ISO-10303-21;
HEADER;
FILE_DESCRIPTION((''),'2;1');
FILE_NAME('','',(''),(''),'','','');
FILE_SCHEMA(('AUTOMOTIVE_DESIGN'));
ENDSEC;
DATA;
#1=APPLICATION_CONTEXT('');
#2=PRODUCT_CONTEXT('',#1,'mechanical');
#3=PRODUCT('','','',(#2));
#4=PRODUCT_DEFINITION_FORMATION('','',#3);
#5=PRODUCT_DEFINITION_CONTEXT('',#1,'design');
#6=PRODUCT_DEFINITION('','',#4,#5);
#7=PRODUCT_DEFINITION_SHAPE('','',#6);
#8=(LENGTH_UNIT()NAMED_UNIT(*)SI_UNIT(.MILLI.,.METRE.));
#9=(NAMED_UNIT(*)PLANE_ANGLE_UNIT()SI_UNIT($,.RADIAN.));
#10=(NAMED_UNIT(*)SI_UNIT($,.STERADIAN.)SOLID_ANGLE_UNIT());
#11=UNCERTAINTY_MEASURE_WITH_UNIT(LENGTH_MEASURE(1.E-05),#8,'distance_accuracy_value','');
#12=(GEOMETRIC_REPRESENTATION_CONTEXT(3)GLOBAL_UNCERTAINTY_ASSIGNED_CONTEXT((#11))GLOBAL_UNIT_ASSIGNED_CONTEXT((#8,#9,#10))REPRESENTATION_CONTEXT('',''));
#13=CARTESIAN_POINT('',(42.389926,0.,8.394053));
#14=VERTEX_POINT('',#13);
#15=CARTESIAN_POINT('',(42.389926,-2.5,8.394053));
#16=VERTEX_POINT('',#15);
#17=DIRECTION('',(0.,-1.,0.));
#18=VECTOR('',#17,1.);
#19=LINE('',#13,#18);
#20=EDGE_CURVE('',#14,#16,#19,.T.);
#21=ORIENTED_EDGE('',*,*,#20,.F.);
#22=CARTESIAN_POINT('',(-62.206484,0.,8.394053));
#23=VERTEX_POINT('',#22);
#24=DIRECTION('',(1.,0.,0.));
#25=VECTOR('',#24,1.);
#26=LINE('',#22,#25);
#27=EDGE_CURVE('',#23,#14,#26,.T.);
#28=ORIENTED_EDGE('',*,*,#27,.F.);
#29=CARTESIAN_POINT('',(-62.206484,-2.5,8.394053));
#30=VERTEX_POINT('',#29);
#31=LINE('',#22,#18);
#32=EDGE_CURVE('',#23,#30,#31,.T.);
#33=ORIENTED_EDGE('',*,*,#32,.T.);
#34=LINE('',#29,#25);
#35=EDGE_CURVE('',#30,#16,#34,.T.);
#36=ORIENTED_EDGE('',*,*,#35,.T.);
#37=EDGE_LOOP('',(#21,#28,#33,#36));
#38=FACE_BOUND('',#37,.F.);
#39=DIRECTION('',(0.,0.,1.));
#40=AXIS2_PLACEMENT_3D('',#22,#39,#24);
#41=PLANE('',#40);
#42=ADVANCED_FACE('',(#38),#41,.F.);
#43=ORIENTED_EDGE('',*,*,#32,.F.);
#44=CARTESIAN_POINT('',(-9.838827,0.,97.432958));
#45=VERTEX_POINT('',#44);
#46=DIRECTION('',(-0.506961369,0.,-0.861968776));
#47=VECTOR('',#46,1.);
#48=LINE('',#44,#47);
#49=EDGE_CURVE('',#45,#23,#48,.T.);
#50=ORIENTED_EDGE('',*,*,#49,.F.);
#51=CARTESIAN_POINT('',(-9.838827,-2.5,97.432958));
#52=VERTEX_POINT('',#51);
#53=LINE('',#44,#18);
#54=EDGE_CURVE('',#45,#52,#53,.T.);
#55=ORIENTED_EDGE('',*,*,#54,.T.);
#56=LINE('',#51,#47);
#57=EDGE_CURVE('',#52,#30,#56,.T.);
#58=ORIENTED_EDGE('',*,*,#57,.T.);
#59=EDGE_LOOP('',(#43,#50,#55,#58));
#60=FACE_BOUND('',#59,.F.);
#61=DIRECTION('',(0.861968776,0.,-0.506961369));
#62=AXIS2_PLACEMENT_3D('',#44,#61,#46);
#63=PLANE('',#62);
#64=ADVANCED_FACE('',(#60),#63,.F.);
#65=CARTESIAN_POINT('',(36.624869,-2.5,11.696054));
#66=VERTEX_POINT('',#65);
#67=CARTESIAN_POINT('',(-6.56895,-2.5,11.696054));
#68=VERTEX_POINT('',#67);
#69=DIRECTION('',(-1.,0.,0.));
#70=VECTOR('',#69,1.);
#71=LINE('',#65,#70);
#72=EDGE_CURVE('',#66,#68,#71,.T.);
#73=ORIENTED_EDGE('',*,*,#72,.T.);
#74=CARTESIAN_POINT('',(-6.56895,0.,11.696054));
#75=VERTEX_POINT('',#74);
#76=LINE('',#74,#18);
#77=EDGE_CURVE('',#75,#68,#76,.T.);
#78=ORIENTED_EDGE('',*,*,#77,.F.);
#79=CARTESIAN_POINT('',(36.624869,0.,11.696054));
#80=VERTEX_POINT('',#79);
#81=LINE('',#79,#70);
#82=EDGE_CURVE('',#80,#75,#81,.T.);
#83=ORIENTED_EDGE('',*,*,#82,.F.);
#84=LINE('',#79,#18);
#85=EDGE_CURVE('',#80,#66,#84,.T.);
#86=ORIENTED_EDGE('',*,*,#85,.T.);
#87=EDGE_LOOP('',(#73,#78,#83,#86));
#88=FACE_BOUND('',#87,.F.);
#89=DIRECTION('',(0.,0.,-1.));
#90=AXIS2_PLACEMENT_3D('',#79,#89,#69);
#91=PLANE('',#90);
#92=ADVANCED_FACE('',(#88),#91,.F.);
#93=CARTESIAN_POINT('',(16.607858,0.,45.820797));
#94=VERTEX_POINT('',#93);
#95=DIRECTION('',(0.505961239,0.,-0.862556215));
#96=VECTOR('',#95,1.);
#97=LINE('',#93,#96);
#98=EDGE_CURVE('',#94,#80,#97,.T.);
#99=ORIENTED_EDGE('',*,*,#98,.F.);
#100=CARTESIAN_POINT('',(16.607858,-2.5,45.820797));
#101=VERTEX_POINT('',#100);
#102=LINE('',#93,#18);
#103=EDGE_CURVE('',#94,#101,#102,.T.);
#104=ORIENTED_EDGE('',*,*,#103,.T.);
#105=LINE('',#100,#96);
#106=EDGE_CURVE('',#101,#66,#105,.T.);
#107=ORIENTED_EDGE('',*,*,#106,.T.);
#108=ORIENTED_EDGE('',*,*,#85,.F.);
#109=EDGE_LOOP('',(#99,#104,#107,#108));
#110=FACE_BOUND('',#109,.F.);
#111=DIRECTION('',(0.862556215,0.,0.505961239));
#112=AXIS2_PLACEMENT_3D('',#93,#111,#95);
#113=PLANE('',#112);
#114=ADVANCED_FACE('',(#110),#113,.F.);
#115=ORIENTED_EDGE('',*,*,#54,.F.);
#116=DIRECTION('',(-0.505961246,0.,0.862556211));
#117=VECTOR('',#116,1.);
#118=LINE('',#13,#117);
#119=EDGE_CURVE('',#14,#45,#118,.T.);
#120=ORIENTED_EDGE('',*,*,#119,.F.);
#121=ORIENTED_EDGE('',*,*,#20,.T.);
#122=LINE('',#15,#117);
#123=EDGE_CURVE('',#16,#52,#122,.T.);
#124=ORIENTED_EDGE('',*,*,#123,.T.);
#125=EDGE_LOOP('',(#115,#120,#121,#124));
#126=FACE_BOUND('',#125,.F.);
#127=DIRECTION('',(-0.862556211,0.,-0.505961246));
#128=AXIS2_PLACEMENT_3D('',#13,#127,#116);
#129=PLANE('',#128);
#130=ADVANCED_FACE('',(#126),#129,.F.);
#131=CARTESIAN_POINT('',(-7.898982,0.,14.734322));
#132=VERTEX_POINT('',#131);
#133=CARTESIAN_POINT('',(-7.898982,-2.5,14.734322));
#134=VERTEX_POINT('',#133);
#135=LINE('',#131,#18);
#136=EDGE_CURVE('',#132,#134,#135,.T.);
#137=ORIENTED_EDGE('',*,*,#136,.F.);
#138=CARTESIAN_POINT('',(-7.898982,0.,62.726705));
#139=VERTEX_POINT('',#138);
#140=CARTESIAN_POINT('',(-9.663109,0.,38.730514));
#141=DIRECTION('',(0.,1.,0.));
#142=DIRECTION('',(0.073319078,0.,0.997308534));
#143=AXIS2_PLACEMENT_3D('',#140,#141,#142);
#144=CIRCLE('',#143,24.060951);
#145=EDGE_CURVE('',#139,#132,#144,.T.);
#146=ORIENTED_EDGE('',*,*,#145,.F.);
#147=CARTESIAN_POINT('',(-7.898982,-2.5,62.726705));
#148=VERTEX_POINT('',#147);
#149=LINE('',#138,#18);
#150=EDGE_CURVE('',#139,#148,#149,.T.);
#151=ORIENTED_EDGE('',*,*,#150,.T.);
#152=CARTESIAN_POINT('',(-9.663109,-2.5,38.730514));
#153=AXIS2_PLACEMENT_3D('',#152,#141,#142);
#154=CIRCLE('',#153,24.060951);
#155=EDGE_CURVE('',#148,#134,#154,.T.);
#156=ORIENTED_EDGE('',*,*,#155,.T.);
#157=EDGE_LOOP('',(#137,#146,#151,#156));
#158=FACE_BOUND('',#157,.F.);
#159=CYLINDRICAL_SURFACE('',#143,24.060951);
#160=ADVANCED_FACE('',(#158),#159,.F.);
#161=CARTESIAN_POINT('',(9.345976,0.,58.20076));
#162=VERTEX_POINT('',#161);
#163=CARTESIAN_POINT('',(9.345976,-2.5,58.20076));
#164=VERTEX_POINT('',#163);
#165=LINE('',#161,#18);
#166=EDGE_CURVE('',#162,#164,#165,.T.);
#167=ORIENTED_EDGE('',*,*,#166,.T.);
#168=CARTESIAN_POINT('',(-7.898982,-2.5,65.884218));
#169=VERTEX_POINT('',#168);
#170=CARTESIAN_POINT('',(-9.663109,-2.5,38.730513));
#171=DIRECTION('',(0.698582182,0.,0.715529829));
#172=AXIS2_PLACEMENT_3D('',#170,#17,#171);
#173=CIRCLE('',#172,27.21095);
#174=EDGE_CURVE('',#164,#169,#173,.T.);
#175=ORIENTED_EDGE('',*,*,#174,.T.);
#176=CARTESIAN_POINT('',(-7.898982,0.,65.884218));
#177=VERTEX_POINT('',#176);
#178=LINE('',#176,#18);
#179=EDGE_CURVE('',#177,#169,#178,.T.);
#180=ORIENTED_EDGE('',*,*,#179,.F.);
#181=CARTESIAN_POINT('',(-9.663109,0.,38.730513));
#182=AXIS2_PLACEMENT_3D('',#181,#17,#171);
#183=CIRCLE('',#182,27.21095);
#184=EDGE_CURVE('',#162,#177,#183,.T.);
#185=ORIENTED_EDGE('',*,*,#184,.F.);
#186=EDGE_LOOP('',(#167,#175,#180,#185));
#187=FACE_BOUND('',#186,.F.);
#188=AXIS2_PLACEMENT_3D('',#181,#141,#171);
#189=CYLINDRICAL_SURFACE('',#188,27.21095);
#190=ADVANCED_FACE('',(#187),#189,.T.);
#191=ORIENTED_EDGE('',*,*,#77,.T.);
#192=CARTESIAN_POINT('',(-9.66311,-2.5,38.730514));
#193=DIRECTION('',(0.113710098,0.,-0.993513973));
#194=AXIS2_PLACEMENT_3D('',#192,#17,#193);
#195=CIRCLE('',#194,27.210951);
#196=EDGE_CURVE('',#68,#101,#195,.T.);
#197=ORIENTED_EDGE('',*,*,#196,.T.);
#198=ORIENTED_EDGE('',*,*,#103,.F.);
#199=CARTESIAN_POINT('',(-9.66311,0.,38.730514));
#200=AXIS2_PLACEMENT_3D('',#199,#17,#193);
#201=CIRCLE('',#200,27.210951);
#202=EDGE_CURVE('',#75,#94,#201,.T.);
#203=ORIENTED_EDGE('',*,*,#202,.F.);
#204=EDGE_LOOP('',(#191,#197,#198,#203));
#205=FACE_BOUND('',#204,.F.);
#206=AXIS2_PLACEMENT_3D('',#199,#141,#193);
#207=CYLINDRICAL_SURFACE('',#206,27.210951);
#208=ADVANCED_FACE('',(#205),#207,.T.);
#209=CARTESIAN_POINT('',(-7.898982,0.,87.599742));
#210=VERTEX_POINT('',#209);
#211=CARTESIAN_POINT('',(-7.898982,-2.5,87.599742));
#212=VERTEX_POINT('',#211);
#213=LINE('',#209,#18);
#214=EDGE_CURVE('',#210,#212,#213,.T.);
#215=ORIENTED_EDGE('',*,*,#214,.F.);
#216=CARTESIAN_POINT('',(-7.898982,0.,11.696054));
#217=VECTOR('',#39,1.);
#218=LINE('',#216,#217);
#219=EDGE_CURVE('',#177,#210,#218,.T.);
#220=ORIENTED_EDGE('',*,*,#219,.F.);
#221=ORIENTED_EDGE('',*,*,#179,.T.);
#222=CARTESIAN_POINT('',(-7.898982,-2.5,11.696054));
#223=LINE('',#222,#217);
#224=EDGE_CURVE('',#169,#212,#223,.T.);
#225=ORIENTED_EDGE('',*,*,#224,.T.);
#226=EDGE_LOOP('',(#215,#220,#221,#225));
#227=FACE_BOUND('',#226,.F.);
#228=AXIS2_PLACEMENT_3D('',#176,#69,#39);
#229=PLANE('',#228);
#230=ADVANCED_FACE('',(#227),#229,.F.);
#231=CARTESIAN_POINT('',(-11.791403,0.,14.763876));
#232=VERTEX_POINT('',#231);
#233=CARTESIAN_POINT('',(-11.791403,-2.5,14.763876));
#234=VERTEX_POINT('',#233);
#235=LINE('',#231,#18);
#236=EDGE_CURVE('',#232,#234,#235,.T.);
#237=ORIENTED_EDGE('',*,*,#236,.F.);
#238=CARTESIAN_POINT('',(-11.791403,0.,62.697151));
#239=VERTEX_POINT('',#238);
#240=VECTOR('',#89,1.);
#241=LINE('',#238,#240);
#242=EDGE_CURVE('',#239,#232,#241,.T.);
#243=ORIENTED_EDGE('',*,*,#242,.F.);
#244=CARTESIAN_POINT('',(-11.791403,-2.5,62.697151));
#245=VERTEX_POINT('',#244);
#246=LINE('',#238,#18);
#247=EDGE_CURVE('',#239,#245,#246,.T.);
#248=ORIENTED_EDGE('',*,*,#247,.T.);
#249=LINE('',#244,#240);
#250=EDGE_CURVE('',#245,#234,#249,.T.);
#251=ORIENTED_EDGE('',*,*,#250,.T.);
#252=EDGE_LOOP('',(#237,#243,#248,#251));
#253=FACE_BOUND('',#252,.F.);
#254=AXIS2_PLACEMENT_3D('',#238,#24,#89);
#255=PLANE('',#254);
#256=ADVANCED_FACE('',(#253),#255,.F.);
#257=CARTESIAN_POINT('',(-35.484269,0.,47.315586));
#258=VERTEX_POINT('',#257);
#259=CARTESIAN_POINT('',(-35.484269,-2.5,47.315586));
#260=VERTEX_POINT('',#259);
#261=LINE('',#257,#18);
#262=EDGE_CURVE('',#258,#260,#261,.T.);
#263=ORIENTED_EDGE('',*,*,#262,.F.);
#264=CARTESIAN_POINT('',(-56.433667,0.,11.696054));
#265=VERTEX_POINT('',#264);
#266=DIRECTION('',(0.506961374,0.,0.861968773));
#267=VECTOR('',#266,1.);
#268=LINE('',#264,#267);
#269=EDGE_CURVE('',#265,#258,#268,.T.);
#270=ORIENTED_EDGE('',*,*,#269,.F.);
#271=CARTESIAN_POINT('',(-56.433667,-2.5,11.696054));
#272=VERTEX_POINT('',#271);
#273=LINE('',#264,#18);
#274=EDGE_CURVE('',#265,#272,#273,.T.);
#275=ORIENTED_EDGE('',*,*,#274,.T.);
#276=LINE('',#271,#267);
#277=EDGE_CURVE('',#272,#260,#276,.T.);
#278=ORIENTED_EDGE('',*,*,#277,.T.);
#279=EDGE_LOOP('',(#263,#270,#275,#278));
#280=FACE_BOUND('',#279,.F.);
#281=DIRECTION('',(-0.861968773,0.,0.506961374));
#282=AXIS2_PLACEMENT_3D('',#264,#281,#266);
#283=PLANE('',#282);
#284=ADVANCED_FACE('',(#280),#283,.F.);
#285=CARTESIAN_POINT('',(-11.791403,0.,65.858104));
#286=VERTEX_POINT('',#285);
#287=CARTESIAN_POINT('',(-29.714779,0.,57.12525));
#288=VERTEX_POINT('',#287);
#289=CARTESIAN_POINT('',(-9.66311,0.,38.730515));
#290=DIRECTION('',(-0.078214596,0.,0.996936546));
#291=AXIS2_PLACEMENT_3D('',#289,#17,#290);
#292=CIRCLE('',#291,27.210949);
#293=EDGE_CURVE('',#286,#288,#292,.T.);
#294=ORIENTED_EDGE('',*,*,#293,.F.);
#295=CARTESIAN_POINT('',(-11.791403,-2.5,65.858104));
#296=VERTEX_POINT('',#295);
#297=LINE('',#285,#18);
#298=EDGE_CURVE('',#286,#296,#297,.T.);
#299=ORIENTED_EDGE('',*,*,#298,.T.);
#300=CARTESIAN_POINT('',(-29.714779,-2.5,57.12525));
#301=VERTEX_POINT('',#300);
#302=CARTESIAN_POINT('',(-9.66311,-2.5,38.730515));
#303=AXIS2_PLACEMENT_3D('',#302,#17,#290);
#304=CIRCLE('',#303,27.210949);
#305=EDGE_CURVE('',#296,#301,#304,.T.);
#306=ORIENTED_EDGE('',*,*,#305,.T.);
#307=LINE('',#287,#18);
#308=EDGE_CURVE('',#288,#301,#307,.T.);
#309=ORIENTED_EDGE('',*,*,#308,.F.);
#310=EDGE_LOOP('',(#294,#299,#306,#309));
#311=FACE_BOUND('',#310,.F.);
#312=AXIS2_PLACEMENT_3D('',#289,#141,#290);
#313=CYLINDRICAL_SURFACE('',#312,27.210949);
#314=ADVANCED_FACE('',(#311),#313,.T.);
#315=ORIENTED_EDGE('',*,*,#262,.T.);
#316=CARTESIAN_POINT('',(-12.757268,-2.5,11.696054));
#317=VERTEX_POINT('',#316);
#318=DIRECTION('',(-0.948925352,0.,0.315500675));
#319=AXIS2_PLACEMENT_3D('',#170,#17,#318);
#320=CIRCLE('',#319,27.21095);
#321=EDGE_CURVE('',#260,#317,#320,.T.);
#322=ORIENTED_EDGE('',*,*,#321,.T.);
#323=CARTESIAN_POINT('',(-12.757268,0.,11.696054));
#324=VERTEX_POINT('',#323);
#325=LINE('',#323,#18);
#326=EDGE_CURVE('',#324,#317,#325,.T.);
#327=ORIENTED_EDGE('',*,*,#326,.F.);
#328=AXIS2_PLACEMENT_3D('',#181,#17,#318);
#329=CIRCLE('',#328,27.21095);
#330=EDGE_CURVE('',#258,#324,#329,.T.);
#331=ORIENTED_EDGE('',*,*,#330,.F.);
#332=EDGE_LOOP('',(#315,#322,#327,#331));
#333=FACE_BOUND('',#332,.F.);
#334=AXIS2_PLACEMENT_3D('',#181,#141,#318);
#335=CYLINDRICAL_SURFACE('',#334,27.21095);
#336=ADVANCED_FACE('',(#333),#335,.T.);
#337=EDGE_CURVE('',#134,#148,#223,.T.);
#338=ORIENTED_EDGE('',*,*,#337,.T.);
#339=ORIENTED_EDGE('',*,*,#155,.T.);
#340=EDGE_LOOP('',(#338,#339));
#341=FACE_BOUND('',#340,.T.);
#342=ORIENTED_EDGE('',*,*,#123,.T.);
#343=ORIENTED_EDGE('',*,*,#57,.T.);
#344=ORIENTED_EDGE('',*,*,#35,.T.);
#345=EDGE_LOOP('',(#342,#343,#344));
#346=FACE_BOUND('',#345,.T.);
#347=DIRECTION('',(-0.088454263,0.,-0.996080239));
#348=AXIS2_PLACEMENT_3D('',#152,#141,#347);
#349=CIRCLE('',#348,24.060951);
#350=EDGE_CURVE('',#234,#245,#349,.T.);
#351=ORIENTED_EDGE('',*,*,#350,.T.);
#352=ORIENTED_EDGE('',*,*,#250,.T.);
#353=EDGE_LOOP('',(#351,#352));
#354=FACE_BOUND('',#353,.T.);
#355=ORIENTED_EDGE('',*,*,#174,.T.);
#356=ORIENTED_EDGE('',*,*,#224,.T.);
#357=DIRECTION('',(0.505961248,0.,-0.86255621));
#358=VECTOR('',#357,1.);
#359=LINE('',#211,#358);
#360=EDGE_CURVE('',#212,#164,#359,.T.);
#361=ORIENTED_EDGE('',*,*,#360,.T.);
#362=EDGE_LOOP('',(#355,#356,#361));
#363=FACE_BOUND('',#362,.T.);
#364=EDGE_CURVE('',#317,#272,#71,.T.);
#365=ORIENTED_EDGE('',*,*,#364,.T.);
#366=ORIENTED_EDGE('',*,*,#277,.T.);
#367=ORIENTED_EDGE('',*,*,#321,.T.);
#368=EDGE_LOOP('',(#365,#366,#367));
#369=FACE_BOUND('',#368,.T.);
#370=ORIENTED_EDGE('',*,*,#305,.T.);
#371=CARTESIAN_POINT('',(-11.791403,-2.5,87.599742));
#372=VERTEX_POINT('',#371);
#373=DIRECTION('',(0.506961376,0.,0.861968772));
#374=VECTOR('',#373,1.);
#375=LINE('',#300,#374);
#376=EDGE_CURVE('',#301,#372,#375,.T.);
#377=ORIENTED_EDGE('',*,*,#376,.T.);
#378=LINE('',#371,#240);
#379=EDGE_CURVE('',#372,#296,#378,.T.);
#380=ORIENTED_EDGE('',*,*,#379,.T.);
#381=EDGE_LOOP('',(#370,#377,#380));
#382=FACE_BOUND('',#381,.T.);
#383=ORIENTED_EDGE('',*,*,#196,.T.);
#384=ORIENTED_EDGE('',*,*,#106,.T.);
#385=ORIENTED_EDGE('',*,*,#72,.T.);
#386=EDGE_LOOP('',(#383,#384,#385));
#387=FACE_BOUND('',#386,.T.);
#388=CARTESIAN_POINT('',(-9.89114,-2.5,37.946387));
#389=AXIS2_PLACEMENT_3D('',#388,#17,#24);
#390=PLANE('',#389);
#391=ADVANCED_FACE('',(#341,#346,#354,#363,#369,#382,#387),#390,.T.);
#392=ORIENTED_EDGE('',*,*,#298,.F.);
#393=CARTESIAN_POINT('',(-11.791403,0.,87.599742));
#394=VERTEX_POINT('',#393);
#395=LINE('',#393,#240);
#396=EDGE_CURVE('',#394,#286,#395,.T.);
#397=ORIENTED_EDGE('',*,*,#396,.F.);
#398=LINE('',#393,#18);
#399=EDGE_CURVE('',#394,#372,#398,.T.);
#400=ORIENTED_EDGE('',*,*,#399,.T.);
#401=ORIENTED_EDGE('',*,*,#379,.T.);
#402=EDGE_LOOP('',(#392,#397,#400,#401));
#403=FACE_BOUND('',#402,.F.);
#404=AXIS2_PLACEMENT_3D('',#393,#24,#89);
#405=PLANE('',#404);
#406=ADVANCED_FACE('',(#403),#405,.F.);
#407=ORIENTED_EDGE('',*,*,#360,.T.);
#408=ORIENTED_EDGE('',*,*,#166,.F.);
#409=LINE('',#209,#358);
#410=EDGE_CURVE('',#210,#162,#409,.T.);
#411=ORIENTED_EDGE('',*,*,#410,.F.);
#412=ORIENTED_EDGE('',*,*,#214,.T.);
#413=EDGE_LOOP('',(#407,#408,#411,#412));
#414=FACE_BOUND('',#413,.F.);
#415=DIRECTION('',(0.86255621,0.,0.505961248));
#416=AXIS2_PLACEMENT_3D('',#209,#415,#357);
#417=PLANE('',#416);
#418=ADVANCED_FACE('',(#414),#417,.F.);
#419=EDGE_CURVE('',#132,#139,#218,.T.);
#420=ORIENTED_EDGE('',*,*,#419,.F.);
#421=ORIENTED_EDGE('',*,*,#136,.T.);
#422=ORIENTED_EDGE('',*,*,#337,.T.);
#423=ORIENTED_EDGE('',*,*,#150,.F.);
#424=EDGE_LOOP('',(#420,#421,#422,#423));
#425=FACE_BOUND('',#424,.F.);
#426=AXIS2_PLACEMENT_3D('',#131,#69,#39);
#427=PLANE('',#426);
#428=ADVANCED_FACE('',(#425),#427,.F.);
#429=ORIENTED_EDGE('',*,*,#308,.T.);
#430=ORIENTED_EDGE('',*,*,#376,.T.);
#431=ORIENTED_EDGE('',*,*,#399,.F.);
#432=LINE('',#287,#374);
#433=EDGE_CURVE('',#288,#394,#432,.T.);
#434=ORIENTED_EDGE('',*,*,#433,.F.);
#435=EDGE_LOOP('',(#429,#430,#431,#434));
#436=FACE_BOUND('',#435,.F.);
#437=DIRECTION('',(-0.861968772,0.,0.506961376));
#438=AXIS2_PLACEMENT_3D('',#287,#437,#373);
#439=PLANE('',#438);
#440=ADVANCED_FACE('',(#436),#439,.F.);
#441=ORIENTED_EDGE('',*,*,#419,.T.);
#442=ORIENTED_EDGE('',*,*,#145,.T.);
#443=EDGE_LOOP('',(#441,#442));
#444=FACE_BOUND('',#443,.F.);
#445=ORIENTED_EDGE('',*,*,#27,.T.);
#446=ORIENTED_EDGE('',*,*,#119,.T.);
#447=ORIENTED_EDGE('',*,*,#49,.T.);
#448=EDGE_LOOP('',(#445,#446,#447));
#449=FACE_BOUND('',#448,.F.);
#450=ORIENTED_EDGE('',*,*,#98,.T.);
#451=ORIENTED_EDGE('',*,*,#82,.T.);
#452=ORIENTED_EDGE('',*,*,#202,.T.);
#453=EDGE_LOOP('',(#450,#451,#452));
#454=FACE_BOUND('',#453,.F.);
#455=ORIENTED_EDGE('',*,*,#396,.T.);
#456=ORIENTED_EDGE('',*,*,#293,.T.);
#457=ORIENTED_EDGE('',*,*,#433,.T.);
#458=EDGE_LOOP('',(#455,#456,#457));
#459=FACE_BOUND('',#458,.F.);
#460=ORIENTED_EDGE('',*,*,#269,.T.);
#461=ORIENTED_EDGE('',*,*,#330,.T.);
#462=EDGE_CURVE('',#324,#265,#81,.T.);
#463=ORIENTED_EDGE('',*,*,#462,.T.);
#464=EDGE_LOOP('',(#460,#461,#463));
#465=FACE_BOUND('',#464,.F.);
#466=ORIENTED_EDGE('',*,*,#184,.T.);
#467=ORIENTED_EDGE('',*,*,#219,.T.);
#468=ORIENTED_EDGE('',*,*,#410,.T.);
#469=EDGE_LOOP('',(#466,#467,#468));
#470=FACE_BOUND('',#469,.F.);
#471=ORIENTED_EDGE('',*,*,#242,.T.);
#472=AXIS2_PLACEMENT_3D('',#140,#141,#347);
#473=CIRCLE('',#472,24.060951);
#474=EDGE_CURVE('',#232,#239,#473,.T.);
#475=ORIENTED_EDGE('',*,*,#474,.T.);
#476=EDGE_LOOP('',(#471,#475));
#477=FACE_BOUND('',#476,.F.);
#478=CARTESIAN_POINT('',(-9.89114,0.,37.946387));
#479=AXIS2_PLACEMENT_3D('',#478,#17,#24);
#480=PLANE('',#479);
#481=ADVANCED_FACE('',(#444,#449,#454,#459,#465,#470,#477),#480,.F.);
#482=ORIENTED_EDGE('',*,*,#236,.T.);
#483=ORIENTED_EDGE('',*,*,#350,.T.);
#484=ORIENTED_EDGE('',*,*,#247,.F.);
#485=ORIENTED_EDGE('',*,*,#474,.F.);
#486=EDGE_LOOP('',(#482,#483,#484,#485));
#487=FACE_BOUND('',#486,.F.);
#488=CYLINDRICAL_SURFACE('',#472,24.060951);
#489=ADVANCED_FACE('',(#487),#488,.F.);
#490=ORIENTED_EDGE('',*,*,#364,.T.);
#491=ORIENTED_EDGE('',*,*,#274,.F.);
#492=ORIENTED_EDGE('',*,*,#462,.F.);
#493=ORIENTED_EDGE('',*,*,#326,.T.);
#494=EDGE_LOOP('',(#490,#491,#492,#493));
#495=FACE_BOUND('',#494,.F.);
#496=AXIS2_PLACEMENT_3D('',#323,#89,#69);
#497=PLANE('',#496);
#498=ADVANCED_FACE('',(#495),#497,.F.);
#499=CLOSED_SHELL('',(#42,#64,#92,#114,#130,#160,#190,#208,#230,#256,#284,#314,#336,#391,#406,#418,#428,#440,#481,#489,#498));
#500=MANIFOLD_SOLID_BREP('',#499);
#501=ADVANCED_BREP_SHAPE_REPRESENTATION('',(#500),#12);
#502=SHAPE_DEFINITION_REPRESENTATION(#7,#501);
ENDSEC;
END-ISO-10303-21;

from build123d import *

# Parameters (mm, degrees)
F1_DEPTH = 2.5


with BuildPart() as f1:
    # F0 (on Front) → F1 (new body)
    with BuildSketch(Plane.XZ):
        Polygon((42.389926, 8.394053), (-9.838827, 97.432958), (-62.206484, 8.394053), align=None)
        Polygon((16.607858, 45.820797), (36.624869, 11.696054), (-6.56895, 11.696054), (-7.898982, 11.696054), (-11.791403, 11.696054), (-12.757268, 11.696054), (-56.433667, 11.696054), (-35.484269, 47.315586), (-29.714779, 57.12525), (-11.791403, 87.599742), (-9.842608, 90.91321), (-7.898982, 87.599742), (9.345976, 58.20076), align=None, mode=Mode.SUBTRACT)
        with BuildLine():
            Line((-12.757268, 11.696054), (-11.791403, 11.696054))
            Line((-11.791403, 11.696054), (-11.791403, 14.763876))
            ThreePointArc((-11.791403, 14.763876), (-33.72406, 38.730513), (-11.791403, 62.697151))
            Line((-11.791403, 62.697151), (-11.791403, 65.858104))
            ThreePointArc((-11.791403, 65.858104), (-21.581724, 63.19237), (-29.714779, 57.12525))
            Line((-29.714779, 57.12525), (-35.484269, 47.315586))
            ThreePointArc((-35.484269, 47.315586), (-32.602413, 24.094116), (-12.757268, 11.696054))
        make_face()
        Polygon((-11.791403, 11.696054), (-7.898982, 11.696054), (-7.898982, 14.734322), (-7.898982, 62.726705), (-7.898982, 65.884218), (-7.898982, 87.599742), (-9.842608, 90.91321), (-11.791403, 87.599742), (-11.791403, 65.858104), (-11.791403, 62.697151), (-11.791403, 14.763876), align=None)
        with BuildLine():
            ThreePointArc((-6.56895, 11.696054), (12.846937, 23.442164), (16.607858, 45.820797))
            Line((16.607858, 45.820797), (9.345976, 58.20076))
            ThreePointArc((9.345976, 58.20076), (1.411206, 63.586003), (-7.898982, 65.884218))
            Line((-7.898982, 65.884218), (-7.898982, 62.726705))
            ThreePointArc((-7.898982, 62.726705), (14.397842, 38.730513), (-7.898982, 14.734322))
            Line((-7.898982, 14.734322), (-7.898982, 11.696054))
            Line((-7.898982, 11.696054), (-6.56895, 11.696054))
        make_face()
    extrude(amount=F1_DEPTH)


solid = f1.part
